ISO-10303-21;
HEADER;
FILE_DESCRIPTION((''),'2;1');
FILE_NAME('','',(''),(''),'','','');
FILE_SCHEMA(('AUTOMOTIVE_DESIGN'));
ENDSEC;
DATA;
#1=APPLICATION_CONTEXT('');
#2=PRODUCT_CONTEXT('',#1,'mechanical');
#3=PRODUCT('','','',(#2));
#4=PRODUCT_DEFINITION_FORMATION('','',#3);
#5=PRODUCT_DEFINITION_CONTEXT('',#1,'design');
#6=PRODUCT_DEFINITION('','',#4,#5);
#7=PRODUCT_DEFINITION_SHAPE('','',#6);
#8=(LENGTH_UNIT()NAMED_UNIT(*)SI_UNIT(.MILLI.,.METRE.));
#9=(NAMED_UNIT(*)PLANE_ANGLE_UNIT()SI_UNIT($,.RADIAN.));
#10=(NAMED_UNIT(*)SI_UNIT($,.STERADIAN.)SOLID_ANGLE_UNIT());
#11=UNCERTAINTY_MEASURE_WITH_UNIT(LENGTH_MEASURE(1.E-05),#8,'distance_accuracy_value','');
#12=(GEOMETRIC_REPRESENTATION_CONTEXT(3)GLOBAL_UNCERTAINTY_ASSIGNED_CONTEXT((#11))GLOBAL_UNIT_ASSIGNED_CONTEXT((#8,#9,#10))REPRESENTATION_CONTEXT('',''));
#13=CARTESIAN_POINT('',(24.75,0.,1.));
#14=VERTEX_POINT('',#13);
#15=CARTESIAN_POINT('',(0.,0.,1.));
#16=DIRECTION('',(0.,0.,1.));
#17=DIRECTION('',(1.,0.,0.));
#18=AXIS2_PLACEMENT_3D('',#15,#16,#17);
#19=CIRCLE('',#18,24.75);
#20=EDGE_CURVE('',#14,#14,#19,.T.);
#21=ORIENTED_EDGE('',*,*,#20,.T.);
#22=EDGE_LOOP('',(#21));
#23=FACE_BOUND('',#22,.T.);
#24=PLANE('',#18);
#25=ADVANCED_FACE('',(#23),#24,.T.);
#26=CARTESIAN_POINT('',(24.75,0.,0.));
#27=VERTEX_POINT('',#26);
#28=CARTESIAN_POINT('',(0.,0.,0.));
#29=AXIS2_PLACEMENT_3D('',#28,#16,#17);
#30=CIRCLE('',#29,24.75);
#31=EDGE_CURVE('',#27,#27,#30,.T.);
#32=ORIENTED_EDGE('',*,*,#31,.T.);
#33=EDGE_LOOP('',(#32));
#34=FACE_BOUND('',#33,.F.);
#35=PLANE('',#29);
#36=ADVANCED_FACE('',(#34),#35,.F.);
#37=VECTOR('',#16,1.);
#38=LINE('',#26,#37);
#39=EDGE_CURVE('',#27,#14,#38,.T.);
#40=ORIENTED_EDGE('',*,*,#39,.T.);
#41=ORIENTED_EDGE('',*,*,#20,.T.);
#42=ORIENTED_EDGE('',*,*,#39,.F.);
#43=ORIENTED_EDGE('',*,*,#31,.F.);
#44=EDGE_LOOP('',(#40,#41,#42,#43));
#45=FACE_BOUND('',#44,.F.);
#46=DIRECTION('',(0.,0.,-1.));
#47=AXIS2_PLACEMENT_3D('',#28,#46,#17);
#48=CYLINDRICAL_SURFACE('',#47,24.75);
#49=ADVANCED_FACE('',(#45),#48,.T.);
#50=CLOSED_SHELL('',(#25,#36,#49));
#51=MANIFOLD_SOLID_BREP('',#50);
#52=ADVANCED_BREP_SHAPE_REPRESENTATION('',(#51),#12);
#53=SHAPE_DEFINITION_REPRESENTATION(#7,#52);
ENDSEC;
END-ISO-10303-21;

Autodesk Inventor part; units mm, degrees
ref_plane "YZ Plane" through (0, 0, 0) normal (1, 0, 0) x (0, 1, 0)
ref_plane "XZ Plane" through (0, 0, 0) normal (0, 1, 0) x (-1, 0, 0)
ref_plane "XY Plane" through (0, 0, 0) normal (0, 0, 1) x (1, 0, 0)
sketch "スケッチ1" plane through (0, 0, 0) normal (0, 0, 1) x (1, 0, 0)
  circle A0 centre (0, 0) radius 24.75
  dimension "d0" = 49.5
extrude "押し出し1" add sketch "スケッチ1" along normal blind 1
properties part number "lens_cover_1mm_plate"
